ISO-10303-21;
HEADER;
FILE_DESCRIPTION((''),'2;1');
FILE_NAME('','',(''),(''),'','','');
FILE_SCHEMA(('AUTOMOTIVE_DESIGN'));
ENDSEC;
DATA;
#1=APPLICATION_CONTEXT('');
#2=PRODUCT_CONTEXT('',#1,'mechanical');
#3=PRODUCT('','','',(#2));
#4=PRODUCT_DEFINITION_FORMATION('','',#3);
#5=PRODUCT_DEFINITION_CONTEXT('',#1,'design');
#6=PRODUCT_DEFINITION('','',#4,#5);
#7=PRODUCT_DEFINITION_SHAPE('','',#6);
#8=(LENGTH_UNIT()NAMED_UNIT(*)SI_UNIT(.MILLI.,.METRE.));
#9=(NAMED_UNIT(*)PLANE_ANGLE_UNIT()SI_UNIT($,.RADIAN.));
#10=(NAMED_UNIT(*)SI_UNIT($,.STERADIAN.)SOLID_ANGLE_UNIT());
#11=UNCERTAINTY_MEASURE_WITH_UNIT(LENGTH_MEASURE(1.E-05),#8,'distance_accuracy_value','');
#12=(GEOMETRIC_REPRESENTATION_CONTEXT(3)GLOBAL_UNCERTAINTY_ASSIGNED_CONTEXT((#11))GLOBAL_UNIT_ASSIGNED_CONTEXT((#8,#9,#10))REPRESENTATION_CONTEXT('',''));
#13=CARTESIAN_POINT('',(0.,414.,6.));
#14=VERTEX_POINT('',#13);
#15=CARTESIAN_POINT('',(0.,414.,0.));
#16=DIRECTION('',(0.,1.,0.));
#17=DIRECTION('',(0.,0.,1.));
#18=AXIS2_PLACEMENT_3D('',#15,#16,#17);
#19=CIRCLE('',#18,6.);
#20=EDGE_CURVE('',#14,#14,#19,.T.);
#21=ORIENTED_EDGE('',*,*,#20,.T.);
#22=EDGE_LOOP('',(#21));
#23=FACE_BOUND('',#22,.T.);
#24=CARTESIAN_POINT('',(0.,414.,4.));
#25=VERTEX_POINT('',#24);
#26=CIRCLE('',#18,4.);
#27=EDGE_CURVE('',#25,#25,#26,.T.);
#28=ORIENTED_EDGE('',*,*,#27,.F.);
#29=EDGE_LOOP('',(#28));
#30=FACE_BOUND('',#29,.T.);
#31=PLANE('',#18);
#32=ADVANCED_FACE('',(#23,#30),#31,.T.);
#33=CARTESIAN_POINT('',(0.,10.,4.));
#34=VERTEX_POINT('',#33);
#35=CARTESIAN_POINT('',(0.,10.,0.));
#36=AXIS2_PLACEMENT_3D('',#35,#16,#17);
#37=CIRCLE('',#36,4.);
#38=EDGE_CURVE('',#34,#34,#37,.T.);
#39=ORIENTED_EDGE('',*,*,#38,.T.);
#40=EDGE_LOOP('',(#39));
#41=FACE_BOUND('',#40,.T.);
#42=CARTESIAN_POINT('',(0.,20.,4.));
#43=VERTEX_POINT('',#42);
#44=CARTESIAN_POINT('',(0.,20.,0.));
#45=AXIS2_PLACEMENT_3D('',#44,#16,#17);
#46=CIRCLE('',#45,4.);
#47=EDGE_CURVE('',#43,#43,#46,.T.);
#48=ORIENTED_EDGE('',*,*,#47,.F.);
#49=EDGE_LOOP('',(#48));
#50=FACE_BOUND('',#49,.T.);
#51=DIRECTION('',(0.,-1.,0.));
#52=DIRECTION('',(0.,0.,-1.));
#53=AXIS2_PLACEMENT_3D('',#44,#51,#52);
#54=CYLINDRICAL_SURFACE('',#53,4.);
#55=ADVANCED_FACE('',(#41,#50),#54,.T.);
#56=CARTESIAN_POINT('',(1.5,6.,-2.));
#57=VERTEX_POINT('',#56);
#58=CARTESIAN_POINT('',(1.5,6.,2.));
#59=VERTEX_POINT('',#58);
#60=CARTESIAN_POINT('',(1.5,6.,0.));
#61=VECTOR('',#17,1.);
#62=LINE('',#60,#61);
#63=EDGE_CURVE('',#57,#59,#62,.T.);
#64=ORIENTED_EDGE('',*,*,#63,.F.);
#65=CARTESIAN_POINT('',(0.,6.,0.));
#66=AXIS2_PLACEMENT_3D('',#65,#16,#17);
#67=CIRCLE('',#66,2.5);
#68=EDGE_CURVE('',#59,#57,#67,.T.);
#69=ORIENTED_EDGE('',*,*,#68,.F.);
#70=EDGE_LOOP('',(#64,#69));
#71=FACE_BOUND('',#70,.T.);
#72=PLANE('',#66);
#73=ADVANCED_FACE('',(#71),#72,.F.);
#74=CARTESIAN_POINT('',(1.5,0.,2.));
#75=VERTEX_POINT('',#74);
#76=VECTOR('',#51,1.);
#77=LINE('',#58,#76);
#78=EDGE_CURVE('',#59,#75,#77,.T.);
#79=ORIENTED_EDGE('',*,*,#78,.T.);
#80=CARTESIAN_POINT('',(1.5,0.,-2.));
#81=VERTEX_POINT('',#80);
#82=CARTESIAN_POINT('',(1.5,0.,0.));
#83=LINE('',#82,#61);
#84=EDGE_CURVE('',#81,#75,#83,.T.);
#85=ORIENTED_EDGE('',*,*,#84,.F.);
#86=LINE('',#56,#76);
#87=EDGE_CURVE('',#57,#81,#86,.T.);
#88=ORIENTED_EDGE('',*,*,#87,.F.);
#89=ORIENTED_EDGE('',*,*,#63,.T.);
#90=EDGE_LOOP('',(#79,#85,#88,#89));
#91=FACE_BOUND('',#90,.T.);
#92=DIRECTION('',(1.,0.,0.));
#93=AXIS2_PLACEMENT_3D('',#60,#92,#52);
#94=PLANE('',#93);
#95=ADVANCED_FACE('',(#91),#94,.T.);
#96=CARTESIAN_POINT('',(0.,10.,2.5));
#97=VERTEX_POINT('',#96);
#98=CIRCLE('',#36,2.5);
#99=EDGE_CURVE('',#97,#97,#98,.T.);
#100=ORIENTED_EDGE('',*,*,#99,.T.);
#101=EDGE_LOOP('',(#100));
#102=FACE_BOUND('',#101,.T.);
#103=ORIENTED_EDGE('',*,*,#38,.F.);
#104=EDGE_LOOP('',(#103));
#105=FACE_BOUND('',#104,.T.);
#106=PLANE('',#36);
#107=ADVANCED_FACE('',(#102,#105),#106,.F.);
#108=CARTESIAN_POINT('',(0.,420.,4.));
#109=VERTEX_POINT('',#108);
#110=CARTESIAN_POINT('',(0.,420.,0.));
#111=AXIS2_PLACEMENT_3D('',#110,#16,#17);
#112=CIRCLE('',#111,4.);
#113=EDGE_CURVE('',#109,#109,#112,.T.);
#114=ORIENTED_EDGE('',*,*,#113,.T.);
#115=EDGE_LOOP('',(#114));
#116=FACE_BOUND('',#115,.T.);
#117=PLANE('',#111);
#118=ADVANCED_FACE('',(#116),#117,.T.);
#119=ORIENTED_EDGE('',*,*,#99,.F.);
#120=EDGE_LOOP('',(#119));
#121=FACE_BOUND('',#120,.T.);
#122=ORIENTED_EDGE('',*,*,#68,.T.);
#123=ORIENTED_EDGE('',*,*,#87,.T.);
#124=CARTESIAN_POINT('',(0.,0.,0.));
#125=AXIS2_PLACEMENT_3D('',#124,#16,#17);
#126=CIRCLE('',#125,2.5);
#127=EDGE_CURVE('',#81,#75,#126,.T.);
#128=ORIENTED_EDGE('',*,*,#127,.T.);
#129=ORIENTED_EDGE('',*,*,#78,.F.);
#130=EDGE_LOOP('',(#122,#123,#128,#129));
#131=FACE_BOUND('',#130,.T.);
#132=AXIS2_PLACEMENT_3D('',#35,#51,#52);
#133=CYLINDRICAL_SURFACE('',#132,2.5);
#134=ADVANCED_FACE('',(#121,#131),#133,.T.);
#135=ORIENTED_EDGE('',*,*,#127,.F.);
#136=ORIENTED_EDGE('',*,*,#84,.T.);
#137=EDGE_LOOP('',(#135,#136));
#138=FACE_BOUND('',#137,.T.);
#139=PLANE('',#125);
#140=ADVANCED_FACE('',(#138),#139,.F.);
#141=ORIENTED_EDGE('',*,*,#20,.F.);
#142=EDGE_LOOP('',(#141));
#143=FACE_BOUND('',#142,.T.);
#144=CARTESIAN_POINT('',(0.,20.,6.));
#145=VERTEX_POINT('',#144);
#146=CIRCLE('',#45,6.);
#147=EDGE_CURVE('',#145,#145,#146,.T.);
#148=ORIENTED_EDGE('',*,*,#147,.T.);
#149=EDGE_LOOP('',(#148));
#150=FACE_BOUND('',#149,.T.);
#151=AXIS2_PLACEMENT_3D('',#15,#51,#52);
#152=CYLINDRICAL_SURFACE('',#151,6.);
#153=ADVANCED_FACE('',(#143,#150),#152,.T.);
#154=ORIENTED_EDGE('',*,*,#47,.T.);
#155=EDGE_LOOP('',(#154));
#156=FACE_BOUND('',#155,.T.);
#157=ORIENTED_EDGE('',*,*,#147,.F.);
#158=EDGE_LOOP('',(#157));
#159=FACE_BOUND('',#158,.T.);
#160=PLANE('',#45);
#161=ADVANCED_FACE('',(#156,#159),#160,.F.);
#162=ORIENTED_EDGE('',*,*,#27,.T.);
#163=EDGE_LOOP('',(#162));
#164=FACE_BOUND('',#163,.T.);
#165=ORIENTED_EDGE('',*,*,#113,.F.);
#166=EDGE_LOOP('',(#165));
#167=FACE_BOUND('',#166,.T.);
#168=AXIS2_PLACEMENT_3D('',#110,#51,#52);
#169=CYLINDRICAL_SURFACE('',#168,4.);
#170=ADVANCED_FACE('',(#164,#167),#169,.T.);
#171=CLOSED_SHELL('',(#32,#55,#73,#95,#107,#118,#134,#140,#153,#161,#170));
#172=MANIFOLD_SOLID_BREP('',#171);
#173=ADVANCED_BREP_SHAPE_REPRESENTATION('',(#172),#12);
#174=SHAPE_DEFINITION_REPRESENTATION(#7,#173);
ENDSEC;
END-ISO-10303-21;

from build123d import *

# Parameters (mm, degrees)
SKETCH1_R           = 4
BOSS_EXTRUDE1_DEPTH = 420
SKETCH1_3_R         = 6
SKETCH1_3_R_2       = 4
BOSS_EXTRUDE2_DEPTH = 414
SKETCH1_4_R         = 6
SKETCH1_4_R_2       = 4
CUT_EXTRUDE1_DEPTH  = 20
SKETCH1_5_R         = 4
CUT_EXTRUDE2_DEPTH  = 10
CUT_EXTRUDE3_DEPTH  = 6


with BuildPart() as part:
    # Sketch1 → Boss-Extrude1 (new body)
    with BuildSketch(Plane(origin=(0, 0, 0), x_dir=(1, 0, 0), z_dir=(0, 1, 0))):
        Circle(SKETCH1_R)
    extrude(amount=BOSS_EXTRUDE1_DEPTH)

    # Sketch1<3> → Boss-Extrude2 (add)
    with BuildSketch(Plane(origin=(0, 0, 0), x_dir=(1, 0, 0), z_dir=(0, 1, 0))):
        Circle(SKETCH1_3_R)
        Circle(SKETCH1_3_R_2, mode=Mode.SUBTRACT)
    extrude(amount=BOSS_EXTRUDE2_DEPTH)

    # Sketch1<4> → Cut-Extrude1 (cut)
    with BuildSketch(Plane(origin=(0, 0, 0), x_dir=(1, 0, 0), z_dir=(0, 1, 0))):
        Circle(SKETCH1_4_R)
        Circle(SKETCH1_4_R_2, mode=Mode.SUBTRACT)
    extrude(amount=CUT_EXTRUDE1_DEPTH, mode=Mode.SUBTRACT)

    # Sketch1<5> → Cut-Extrude2 (cut)
    with BuildSketch(Plane(origin=(0, 0, 0), x_dir=(1, 0, 0), z_dir=(0, 1, 0))):
        Circle(SKETCH1_5_R)
        with BuildLine():
            ThreePointArc((1.5, -2), (-2.5, 0), (1.5, 2))
            ThreePointArc((1.5, 2), (2.236067977, 1.118033989), (2.5, 0))
            ThreePointArc((2.5, 0), (2.236067977, -1.118033989), (1.5, -2))
        make_face(mode=Mode.SUBTRACT)
    extrude(amount=CUT_EXTRUDE2_DEPTH, mode=Mode.SUBTRACT)

    # Sketch1<6> → Cut-Extrude3 (cut)
    with BuildSketch(Plane(origin=(0, 0, 0), x_dir=(1, 0, 0), z_dir=(0, 1, 0))):
        with BuildLine():
            ThreePointArc((2.5, 0), (2.236067977, 1.118033989), (1.5, 2))
            Line((1.5, 2), (1.5, -2))
            ThreePointArc((1.5, -2), (2.236067977, -1.118033989), (2.5, 0))
        make_face()
    extrude(amount=CUT_EXTRUDE3_DEPTH, mode=Mode.SUBTRACT)


solid = part.part
